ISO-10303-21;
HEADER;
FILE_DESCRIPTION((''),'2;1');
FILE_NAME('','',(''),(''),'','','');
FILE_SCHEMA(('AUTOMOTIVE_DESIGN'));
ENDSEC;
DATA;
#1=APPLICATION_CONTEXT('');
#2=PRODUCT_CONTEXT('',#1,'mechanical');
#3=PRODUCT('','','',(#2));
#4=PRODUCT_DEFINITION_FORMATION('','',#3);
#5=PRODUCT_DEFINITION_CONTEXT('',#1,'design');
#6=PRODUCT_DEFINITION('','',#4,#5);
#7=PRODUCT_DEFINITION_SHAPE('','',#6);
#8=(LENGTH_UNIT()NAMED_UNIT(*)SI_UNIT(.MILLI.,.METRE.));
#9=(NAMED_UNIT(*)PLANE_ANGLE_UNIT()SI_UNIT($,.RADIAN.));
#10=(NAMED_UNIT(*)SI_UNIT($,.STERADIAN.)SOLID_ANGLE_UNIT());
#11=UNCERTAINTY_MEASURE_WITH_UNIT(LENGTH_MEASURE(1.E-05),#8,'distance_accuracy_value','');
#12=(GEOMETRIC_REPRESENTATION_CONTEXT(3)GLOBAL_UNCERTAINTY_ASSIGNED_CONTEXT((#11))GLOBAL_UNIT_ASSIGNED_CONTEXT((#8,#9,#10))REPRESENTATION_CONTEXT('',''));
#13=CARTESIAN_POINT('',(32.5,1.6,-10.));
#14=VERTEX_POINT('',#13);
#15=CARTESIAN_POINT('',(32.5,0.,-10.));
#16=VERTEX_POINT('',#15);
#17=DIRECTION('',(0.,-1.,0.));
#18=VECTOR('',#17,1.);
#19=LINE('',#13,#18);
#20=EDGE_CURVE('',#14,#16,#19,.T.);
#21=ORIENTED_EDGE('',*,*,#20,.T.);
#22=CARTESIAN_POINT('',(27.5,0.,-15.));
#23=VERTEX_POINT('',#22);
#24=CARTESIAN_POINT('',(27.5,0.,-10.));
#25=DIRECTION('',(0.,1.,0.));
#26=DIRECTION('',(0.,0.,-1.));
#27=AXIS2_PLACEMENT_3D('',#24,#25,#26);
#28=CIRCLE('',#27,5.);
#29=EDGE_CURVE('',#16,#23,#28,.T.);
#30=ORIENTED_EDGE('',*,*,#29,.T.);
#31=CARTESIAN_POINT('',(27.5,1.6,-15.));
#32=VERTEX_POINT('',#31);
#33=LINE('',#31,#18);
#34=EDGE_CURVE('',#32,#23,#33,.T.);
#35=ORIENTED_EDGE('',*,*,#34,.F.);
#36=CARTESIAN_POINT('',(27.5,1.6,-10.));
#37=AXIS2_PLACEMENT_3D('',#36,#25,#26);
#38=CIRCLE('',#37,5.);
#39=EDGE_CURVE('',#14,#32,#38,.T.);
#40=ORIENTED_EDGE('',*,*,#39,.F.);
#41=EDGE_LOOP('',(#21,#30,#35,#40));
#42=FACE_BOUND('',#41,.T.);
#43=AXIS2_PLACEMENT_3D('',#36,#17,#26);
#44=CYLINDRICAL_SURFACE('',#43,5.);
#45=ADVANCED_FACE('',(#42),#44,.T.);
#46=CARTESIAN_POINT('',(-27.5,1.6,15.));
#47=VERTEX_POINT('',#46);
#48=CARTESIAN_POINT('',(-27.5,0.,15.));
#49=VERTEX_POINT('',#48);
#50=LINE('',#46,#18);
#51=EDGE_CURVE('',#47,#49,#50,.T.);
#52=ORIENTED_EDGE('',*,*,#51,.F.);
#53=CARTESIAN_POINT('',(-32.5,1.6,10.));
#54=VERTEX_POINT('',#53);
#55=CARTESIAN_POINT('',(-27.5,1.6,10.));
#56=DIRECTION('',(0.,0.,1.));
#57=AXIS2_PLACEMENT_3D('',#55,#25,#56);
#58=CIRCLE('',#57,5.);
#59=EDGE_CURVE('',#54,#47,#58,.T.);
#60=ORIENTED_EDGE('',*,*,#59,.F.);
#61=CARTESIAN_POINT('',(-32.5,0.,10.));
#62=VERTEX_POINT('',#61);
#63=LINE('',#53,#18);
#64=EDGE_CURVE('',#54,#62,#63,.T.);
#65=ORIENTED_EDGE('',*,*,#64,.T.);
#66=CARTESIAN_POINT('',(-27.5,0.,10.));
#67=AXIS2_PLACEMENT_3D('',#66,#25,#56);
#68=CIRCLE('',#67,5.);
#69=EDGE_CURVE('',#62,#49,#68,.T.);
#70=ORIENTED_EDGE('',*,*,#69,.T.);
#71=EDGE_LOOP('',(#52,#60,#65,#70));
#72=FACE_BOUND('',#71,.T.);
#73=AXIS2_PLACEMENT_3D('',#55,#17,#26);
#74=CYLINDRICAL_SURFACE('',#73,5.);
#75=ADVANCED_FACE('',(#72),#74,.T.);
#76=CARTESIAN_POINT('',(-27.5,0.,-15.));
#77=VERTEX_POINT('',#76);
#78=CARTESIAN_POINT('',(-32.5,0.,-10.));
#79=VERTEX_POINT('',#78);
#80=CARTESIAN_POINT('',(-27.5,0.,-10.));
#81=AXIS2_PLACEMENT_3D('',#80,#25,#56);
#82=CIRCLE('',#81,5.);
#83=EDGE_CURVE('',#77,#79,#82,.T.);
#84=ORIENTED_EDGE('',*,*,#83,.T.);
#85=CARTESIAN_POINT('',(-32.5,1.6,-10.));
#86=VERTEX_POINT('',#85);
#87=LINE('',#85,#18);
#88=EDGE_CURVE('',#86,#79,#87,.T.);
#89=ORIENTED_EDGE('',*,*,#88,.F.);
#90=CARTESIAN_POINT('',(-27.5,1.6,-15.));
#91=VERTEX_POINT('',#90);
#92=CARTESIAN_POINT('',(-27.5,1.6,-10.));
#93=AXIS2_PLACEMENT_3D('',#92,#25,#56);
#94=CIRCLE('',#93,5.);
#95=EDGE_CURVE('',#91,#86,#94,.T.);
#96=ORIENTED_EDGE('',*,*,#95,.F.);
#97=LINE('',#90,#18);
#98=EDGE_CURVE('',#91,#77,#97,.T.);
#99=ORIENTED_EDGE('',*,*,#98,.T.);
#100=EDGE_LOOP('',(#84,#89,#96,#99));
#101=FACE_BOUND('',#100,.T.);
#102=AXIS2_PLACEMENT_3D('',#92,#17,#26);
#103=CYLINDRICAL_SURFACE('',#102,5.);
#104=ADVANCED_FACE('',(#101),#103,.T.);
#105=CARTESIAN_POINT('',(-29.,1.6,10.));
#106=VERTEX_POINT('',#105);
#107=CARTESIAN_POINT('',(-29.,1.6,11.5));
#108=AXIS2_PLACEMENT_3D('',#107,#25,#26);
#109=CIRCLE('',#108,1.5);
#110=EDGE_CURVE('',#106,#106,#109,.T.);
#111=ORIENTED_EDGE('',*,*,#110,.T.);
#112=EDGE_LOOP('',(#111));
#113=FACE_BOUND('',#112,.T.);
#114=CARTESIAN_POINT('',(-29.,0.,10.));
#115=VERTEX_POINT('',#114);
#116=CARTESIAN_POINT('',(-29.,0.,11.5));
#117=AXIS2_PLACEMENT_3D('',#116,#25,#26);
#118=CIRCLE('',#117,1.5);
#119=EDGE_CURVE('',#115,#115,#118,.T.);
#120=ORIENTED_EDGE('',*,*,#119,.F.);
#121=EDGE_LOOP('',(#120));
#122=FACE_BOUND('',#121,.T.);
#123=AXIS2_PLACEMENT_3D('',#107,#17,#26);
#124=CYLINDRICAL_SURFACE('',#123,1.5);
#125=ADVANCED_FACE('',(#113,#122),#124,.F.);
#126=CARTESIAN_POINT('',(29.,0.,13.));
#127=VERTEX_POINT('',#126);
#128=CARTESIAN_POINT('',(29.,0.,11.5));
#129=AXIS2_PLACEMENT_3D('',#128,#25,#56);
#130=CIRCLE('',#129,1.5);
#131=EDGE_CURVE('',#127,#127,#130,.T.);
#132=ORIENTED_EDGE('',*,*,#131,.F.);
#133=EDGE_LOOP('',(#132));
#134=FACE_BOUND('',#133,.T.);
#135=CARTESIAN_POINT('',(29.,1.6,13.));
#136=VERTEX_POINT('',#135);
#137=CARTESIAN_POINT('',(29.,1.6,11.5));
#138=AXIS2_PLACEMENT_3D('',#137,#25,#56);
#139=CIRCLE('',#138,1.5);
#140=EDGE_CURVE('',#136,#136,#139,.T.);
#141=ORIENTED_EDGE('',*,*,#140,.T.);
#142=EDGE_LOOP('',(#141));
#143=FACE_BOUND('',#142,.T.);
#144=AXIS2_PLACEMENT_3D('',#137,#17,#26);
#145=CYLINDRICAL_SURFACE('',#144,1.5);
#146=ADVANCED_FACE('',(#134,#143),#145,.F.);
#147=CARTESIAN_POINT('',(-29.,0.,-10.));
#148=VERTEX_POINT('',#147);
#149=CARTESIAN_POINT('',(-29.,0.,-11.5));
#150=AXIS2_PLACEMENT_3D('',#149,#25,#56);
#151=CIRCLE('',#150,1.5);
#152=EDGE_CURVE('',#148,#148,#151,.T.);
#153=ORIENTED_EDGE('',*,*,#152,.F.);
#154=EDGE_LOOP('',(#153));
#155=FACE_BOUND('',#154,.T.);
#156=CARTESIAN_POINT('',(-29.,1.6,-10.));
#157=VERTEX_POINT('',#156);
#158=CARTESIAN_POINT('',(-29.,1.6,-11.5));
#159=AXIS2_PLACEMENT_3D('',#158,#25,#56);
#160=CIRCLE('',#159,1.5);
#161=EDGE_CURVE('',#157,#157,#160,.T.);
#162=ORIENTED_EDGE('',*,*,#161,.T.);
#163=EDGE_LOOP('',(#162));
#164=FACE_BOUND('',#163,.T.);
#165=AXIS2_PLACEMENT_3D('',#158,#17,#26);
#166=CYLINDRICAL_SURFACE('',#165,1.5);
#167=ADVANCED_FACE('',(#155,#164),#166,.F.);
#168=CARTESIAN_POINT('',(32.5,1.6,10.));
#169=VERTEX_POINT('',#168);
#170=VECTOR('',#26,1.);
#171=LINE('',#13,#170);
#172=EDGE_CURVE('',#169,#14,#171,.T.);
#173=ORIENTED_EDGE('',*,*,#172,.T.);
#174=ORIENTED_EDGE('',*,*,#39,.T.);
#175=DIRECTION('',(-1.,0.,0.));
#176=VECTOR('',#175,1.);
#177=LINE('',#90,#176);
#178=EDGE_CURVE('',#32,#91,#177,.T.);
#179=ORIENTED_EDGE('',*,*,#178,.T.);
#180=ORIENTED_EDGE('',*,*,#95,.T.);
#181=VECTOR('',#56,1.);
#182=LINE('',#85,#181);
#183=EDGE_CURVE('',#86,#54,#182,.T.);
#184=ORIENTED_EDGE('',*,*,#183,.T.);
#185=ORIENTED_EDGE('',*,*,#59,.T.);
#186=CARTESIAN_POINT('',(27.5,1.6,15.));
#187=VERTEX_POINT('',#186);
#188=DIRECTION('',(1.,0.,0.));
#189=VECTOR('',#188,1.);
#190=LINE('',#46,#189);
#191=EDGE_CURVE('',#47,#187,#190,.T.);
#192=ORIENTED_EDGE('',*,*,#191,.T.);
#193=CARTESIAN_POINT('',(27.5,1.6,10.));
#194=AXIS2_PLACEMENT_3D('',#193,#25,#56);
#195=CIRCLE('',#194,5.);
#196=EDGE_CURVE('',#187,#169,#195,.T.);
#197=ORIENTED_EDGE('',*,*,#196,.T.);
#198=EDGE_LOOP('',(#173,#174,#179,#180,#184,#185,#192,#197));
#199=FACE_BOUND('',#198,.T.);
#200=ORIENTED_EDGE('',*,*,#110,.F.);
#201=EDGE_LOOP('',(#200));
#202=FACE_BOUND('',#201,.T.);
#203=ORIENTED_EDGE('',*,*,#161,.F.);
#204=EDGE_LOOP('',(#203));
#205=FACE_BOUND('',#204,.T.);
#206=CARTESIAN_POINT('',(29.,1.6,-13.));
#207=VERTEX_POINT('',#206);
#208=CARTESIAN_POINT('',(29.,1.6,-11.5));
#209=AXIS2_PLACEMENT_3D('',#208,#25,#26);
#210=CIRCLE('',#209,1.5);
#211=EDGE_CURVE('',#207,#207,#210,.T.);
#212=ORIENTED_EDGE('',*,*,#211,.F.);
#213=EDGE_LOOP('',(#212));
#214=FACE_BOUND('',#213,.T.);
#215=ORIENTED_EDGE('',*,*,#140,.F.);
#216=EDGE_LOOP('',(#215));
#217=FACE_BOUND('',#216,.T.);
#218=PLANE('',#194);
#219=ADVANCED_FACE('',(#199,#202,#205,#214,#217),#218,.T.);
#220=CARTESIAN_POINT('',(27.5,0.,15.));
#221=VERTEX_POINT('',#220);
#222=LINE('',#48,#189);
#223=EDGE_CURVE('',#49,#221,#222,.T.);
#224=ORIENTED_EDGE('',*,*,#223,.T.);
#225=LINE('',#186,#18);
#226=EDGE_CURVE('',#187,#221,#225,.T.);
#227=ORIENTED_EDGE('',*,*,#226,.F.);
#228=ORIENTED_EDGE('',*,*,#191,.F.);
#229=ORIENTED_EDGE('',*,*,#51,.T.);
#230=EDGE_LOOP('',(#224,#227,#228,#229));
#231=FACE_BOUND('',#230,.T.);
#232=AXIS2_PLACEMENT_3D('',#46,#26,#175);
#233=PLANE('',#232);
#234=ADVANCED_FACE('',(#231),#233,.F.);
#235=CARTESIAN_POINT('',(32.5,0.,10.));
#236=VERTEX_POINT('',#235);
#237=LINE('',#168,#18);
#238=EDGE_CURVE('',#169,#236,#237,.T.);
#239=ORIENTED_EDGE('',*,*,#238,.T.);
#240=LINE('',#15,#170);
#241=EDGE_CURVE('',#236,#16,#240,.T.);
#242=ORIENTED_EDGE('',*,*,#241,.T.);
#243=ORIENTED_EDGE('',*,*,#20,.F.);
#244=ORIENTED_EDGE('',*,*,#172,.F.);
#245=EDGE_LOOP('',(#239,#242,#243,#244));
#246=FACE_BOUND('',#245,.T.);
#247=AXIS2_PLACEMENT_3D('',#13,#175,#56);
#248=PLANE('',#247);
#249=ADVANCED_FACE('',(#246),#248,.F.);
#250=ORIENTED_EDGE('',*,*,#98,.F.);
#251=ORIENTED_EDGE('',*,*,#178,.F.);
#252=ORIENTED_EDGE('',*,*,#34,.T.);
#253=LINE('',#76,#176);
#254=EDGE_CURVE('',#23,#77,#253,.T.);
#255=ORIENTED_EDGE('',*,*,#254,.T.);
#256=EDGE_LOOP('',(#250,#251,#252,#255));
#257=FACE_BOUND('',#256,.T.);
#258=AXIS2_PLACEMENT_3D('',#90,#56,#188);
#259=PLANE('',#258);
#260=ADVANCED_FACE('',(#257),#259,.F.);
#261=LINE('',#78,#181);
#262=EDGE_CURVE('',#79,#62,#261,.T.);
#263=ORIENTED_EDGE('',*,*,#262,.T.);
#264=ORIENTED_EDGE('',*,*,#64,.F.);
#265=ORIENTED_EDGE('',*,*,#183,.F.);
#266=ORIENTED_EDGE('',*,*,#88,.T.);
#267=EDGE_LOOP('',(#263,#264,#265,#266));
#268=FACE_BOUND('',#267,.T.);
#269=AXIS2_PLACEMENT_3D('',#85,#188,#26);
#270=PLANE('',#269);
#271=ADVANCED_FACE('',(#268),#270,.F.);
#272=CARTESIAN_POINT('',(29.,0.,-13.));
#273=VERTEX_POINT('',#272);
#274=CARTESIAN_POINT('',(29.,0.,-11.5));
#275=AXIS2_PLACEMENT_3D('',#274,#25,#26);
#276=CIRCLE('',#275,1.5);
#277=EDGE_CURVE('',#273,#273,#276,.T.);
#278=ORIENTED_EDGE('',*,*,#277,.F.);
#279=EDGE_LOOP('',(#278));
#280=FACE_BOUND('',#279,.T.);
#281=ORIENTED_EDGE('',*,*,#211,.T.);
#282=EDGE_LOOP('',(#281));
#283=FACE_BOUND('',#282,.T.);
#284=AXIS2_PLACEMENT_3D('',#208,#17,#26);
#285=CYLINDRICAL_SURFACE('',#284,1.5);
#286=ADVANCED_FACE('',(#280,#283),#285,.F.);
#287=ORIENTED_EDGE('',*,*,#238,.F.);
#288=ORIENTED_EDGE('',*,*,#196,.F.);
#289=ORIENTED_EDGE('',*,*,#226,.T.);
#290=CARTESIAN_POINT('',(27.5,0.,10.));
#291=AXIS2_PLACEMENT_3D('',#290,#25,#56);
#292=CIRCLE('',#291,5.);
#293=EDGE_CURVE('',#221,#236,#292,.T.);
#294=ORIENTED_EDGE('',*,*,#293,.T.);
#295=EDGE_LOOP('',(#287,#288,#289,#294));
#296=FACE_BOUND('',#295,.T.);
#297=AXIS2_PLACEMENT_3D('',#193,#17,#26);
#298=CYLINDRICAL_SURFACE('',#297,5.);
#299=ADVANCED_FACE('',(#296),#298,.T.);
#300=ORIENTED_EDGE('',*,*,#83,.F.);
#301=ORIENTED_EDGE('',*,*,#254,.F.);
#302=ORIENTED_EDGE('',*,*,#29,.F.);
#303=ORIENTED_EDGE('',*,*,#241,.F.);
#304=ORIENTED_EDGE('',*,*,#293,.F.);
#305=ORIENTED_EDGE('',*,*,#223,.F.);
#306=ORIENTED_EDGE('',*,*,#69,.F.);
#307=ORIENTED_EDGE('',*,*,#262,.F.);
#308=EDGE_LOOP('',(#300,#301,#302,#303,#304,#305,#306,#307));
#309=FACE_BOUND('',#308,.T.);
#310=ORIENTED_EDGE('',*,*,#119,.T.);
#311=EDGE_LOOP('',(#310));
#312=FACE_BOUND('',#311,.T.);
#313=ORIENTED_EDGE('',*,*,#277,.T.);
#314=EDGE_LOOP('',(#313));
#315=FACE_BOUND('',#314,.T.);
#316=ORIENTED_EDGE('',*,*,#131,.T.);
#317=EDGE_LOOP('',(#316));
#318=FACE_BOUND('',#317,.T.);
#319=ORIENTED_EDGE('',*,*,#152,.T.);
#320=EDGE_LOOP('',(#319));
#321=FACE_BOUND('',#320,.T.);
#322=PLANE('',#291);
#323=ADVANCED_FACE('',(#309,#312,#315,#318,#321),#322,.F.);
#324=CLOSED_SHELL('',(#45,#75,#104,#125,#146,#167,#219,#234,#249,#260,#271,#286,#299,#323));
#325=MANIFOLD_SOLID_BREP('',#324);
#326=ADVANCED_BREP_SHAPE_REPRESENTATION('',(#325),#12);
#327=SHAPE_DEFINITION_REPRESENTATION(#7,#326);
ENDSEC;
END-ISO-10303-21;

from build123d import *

# Parameters (mm, degrees)
ESQUISSE1_R        = 1.5
BOSS_EXTRU_1_DEPTH = 1.6


with BuildPart() as part:
    # Esquisse1 → Boss.-Extru.1 (new body)
    with BuildSketch(Plane(origin=(0, 0, 0), x_dir=(1, 0, 0), z_dir=(0, 1, 0))):
        with BuildLine():
            Line((-27.5, 15), (27.5, 15))
            ThreePointArc((27.5, 15), (31.035533906, 13.535533906), (32.5, 10))
            Line((32.5, 10), (32.5, -10))
            ThreePointArc((32.5, -10), (31.035533906, -13.535533906), (27.5, -15))
            Line((27.5, -15), (-27.5, -15))
            ThreePointArc((-27.5, -15), (-31.035533906, -13.535533906), (-32.5, -10))
            Line((-32.5, -10), (-32.5, 10))
            ThreePointArc((-32.5, 10), (-31.035533906, 13.535533906), (-27.5, 15))
        make_face()
        with Locations(Location((-29, 11.5, 0), (0, 0, 270))):
            Circle(ESQUISSE1_R, mode=Mode.SUBTRACT)
        with Locations(Location((29, 11.5, 0), (0, 0, 90))):
            Circle(ESQUISSE1_R, mode=Mode.SUBTRACT)
        with Locations(Location((29, -11.5, 0), (0, 0, 270))):
            Circle(ESQUISSE1_R, mode=Mode.SUBTRACT)
        with Locations(Location((-29, -11.5, 0), (0, 0, 90))):
            Circle(ESQUISSE1_R, mode=Mode.SUBTRACT)
    extrude(amount=BOSS_EXTRU_1_DEPTH)


solid = part.part
